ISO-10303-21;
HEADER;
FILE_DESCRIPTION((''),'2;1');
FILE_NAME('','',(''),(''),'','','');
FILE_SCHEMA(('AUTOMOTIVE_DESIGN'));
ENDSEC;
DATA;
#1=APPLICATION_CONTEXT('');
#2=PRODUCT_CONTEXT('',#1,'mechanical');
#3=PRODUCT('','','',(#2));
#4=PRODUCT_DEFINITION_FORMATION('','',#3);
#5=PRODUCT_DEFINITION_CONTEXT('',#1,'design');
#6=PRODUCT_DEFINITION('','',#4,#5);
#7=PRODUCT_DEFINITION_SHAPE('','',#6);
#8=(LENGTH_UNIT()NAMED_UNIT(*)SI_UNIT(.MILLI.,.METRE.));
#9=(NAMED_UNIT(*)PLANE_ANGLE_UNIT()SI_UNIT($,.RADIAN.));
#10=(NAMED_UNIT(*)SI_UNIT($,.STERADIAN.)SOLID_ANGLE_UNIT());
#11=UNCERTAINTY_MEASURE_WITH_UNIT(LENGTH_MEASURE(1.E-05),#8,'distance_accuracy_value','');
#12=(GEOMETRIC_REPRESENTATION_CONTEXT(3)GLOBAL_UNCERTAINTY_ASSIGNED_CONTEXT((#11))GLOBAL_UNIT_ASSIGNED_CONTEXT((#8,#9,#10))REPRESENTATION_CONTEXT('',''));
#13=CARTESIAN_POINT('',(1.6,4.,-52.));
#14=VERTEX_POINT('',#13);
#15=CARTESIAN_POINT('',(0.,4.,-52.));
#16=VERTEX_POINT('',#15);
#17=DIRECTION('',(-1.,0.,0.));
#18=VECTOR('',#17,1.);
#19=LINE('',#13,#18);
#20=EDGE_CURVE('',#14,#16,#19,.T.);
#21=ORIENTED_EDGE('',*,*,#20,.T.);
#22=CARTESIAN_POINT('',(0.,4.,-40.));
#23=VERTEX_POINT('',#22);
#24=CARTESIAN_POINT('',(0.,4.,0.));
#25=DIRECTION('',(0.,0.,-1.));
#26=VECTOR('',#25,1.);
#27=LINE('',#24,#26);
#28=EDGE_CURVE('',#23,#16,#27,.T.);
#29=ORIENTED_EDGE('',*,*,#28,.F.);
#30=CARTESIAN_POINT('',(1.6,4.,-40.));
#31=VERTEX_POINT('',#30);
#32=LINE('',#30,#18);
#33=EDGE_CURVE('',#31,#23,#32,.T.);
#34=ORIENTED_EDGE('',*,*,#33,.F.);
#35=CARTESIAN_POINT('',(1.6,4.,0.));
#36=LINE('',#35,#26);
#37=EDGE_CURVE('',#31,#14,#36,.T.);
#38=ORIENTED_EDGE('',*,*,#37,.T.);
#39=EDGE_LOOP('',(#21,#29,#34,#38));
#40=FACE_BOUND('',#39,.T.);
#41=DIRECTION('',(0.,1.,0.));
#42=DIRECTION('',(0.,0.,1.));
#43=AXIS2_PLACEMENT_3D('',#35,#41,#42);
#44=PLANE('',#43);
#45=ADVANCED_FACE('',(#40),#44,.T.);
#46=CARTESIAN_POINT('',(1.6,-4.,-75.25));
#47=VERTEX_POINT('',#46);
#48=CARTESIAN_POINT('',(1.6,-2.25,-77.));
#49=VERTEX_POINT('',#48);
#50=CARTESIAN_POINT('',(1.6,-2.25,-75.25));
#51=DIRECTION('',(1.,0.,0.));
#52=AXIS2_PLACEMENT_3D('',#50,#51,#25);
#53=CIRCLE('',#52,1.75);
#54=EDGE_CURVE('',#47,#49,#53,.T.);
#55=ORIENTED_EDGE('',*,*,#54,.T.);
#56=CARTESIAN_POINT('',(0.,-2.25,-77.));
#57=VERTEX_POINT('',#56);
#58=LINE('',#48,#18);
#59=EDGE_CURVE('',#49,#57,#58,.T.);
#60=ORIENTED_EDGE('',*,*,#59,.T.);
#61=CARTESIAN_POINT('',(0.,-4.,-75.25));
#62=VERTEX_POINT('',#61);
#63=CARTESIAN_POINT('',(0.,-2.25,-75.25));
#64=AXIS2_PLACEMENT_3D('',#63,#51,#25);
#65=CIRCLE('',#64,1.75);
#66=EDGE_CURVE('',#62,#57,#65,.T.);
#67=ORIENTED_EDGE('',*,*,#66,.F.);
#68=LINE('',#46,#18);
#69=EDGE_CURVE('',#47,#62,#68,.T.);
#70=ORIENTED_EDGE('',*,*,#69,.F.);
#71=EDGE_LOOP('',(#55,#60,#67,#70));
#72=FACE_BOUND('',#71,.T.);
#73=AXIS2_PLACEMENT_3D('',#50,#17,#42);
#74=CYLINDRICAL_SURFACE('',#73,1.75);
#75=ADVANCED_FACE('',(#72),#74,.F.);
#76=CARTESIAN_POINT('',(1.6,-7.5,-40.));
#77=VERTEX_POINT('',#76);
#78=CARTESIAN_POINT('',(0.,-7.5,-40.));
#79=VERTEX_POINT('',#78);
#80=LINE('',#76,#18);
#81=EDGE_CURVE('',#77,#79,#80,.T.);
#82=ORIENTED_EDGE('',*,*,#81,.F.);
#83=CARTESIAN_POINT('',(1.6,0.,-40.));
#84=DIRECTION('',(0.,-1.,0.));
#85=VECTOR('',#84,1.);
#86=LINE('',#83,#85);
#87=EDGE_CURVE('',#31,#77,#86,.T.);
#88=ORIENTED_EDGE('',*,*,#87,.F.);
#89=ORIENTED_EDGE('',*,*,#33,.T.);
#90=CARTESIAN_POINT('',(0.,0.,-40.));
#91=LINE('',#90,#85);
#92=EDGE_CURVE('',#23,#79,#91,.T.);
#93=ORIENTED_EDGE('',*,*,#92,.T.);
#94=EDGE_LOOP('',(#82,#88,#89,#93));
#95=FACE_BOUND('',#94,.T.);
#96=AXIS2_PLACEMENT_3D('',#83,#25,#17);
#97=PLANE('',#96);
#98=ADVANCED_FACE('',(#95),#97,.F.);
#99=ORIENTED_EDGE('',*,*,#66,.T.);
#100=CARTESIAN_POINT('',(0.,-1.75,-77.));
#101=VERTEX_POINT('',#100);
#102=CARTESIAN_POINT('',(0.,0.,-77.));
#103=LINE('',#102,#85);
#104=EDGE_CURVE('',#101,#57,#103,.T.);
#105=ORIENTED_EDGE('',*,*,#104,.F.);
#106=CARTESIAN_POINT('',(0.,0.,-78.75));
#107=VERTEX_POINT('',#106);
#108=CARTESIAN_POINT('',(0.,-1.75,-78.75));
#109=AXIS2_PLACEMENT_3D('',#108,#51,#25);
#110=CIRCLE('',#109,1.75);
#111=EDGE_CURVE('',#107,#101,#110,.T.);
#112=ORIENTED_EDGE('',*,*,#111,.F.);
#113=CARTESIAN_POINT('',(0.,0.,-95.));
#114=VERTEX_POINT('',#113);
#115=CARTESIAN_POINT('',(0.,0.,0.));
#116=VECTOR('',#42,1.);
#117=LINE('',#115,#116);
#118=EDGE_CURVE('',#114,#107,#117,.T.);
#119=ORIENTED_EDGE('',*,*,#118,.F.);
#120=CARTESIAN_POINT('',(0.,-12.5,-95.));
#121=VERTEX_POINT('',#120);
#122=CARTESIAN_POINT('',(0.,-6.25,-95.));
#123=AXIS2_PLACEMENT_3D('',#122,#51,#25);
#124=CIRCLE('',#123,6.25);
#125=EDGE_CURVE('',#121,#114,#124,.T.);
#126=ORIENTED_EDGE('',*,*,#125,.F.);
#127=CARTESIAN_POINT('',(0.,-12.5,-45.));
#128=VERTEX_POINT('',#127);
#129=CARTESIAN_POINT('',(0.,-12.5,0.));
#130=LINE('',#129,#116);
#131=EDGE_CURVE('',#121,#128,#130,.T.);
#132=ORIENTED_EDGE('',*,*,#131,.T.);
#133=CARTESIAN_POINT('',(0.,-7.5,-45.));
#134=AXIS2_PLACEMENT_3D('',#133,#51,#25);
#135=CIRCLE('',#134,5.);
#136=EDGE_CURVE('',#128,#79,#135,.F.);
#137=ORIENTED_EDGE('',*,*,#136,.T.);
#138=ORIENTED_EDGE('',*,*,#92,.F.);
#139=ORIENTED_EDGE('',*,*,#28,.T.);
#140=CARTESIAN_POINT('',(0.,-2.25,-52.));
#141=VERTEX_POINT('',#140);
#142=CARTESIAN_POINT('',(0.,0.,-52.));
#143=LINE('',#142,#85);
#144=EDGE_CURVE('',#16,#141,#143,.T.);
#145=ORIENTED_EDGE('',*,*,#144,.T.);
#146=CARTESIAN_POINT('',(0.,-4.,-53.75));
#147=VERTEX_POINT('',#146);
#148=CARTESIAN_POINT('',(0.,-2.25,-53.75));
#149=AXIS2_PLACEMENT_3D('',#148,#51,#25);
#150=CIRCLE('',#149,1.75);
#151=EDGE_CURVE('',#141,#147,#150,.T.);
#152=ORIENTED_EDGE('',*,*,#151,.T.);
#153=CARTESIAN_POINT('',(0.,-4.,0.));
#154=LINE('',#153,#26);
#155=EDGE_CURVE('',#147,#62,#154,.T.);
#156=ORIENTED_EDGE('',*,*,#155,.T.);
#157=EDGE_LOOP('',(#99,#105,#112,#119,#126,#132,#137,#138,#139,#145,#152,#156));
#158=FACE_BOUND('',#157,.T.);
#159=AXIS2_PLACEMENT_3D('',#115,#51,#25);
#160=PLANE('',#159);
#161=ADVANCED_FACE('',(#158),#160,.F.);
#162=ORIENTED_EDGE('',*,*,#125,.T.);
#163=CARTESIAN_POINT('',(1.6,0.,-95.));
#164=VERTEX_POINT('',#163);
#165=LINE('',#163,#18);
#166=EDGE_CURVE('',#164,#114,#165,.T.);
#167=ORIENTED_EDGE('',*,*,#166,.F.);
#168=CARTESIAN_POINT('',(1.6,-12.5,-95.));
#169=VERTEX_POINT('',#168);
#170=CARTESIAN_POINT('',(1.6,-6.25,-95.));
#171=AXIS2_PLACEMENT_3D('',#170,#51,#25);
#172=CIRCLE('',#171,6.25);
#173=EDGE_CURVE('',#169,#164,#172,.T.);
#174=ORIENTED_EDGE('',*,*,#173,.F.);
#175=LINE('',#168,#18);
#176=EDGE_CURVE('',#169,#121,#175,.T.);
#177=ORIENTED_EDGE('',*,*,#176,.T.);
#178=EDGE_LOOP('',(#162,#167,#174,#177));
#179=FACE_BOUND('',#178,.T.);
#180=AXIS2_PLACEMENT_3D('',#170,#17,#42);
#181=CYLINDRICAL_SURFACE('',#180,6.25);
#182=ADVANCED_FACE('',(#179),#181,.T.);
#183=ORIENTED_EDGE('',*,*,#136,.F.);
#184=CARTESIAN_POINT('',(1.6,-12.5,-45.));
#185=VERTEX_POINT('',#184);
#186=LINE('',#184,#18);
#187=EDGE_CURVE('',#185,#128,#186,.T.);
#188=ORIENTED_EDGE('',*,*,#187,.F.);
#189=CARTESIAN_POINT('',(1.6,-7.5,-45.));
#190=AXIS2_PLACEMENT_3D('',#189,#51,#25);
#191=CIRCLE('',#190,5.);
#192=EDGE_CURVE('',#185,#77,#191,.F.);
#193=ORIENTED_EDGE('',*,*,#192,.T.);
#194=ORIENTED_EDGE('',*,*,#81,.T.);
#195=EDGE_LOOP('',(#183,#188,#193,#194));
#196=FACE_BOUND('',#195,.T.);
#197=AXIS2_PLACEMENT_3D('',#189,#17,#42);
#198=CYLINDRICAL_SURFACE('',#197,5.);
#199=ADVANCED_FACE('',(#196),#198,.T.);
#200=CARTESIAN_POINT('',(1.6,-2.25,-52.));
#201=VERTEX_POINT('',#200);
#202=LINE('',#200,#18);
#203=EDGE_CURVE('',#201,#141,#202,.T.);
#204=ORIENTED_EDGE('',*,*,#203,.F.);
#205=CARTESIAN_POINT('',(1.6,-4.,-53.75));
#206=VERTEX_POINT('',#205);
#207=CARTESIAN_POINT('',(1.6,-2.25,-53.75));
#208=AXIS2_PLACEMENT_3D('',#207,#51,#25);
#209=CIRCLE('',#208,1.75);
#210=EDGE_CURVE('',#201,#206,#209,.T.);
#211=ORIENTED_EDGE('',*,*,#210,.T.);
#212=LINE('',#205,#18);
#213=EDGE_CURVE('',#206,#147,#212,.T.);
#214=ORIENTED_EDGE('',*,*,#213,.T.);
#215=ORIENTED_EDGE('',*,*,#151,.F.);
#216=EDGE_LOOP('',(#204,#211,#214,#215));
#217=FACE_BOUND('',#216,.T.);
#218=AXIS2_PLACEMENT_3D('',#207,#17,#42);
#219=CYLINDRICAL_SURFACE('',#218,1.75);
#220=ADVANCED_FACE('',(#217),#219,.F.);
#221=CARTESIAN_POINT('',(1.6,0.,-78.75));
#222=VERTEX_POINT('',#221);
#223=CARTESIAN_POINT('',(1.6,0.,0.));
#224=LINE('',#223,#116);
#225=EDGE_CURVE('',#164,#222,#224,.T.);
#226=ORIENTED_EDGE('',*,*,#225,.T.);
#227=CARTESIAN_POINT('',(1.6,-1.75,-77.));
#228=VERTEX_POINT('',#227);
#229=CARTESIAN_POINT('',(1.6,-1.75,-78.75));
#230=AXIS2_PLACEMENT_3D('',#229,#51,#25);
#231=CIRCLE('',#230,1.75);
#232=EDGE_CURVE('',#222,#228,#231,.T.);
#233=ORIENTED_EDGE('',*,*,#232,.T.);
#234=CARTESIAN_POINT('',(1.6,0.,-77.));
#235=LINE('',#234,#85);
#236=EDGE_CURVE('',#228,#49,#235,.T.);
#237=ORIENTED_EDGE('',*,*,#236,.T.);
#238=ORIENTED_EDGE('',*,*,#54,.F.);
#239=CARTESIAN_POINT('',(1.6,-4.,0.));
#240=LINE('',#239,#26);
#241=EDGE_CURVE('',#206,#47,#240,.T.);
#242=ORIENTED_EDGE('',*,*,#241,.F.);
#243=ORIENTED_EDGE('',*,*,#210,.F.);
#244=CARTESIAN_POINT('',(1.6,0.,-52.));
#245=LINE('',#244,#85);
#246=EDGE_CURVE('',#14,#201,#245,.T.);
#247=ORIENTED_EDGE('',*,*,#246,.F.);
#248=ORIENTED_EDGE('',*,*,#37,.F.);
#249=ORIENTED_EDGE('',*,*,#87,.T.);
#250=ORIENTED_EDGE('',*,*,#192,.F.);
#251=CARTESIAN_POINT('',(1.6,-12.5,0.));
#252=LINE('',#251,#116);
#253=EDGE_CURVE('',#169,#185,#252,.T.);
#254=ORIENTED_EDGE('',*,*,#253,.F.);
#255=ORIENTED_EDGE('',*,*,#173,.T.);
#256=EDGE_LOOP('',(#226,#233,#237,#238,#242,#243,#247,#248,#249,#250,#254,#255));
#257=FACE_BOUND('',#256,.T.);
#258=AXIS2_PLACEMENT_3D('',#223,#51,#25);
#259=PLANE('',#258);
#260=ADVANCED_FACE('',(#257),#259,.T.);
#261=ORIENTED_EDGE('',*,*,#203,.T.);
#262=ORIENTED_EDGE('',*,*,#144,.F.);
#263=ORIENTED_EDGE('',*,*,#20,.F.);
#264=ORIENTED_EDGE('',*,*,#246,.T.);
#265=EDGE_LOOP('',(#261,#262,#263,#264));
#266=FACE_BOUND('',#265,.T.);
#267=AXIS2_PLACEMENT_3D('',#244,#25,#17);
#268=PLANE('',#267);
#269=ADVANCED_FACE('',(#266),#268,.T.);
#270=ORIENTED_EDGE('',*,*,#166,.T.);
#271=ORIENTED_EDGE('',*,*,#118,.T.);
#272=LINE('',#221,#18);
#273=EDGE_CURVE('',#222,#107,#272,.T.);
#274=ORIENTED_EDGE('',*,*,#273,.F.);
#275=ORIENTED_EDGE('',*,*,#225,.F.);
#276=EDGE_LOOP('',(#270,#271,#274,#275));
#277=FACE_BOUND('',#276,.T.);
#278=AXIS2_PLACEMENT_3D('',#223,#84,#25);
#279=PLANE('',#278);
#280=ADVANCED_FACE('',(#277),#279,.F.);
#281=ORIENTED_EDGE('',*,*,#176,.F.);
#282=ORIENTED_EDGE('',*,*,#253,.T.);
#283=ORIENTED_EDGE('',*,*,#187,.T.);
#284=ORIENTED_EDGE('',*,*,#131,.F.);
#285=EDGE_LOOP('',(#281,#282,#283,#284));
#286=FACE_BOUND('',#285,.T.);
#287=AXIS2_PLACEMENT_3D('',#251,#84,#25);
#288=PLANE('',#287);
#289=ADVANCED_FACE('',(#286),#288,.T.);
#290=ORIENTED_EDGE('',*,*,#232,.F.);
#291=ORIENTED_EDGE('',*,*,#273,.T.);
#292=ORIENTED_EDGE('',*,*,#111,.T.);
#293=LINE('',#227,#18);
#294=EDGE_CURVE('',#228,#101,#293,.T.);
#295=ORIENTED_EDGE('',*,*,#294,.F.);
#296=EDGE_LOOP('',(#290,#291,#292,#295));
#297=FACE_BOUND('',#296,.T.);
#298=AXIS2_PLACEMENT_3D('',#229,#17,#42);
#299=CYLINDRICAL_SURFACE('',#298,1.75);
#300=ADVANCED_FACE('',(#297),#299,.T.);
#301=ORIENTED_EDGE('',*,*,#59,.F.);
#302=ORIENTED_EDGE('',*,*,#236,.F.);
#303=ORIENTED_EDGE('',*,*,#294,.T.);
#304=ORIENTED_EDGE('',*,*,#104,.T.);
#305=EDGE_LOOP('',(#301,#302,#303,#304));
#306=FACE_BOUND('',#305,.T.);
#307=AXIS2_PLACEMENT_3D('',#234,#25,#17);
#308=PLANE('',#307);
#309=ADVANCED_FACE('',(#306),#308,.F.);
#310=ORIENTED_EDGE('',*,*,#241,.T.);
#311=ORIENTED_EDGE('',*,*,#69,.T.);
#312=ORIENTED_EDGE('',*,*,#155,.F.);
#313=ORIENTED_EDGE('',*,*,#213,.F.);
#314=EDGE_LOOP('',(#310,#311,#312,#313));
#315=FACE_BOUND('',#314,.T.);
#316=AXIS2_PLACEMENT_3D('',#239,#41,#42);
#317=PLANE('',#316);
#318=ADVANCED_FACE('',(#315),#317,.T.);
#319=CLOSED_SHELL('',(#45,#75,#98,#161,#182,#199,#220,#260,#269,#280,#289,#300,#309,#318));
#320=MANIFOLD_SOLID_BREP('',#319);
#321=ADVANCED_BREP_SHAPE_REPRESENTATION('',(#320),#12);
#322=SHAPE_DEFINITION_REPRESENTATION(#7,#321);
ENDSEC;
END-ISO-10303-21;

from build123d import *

# Parameters (mm, degrees)
AUFSATZ_LINEAR_AUSTRAGEN1_DEPTH = 1.6


with BuildPart() as part:
    # Skizze1 → Aufsatz-Linear austragen1 (new body)
    with BuildSketch(Plane(origin=(0, 0, 0), x_dir=(0, 0, -1), z_dir=(1, 0, 0))):
        with BuildLine():
            Line((45, -12.5), (95, -12.5))
            ThreePointArc((95, -12.5), (101.25, -6.25), (95, 0))
            Line((95, 0), (78.75, 0))
            ThreePointArc((78.75, 0), (77.512563133, -0.512563133), (77, -1.75))
            Line((77, -1.75), (77, -2.25))
            ThreePointArc((77, -2.25), (76.487436867, -3.487436867), (75.25, -4))
            Line((75.25, -4), (53.75, -4))
            ThreePointArc((53.75, -4), (52.512563133, -3.487436867), (52, -2.25))
            Line((52, -2.25), (52, 4))
            Line((52, 4), (40, 4))
            Line((40, 4), (40, -4))
            Line((40, -4), (40, -7.5))
            ThreePointArc((40, -7.5), (41.464466094, -11.035533906), (45, -12.5))
        make_face()
    extrude(amount=AUFSATZ_LINEAR_AUSTRAGEN1_DEPTH)


solid = part.part
